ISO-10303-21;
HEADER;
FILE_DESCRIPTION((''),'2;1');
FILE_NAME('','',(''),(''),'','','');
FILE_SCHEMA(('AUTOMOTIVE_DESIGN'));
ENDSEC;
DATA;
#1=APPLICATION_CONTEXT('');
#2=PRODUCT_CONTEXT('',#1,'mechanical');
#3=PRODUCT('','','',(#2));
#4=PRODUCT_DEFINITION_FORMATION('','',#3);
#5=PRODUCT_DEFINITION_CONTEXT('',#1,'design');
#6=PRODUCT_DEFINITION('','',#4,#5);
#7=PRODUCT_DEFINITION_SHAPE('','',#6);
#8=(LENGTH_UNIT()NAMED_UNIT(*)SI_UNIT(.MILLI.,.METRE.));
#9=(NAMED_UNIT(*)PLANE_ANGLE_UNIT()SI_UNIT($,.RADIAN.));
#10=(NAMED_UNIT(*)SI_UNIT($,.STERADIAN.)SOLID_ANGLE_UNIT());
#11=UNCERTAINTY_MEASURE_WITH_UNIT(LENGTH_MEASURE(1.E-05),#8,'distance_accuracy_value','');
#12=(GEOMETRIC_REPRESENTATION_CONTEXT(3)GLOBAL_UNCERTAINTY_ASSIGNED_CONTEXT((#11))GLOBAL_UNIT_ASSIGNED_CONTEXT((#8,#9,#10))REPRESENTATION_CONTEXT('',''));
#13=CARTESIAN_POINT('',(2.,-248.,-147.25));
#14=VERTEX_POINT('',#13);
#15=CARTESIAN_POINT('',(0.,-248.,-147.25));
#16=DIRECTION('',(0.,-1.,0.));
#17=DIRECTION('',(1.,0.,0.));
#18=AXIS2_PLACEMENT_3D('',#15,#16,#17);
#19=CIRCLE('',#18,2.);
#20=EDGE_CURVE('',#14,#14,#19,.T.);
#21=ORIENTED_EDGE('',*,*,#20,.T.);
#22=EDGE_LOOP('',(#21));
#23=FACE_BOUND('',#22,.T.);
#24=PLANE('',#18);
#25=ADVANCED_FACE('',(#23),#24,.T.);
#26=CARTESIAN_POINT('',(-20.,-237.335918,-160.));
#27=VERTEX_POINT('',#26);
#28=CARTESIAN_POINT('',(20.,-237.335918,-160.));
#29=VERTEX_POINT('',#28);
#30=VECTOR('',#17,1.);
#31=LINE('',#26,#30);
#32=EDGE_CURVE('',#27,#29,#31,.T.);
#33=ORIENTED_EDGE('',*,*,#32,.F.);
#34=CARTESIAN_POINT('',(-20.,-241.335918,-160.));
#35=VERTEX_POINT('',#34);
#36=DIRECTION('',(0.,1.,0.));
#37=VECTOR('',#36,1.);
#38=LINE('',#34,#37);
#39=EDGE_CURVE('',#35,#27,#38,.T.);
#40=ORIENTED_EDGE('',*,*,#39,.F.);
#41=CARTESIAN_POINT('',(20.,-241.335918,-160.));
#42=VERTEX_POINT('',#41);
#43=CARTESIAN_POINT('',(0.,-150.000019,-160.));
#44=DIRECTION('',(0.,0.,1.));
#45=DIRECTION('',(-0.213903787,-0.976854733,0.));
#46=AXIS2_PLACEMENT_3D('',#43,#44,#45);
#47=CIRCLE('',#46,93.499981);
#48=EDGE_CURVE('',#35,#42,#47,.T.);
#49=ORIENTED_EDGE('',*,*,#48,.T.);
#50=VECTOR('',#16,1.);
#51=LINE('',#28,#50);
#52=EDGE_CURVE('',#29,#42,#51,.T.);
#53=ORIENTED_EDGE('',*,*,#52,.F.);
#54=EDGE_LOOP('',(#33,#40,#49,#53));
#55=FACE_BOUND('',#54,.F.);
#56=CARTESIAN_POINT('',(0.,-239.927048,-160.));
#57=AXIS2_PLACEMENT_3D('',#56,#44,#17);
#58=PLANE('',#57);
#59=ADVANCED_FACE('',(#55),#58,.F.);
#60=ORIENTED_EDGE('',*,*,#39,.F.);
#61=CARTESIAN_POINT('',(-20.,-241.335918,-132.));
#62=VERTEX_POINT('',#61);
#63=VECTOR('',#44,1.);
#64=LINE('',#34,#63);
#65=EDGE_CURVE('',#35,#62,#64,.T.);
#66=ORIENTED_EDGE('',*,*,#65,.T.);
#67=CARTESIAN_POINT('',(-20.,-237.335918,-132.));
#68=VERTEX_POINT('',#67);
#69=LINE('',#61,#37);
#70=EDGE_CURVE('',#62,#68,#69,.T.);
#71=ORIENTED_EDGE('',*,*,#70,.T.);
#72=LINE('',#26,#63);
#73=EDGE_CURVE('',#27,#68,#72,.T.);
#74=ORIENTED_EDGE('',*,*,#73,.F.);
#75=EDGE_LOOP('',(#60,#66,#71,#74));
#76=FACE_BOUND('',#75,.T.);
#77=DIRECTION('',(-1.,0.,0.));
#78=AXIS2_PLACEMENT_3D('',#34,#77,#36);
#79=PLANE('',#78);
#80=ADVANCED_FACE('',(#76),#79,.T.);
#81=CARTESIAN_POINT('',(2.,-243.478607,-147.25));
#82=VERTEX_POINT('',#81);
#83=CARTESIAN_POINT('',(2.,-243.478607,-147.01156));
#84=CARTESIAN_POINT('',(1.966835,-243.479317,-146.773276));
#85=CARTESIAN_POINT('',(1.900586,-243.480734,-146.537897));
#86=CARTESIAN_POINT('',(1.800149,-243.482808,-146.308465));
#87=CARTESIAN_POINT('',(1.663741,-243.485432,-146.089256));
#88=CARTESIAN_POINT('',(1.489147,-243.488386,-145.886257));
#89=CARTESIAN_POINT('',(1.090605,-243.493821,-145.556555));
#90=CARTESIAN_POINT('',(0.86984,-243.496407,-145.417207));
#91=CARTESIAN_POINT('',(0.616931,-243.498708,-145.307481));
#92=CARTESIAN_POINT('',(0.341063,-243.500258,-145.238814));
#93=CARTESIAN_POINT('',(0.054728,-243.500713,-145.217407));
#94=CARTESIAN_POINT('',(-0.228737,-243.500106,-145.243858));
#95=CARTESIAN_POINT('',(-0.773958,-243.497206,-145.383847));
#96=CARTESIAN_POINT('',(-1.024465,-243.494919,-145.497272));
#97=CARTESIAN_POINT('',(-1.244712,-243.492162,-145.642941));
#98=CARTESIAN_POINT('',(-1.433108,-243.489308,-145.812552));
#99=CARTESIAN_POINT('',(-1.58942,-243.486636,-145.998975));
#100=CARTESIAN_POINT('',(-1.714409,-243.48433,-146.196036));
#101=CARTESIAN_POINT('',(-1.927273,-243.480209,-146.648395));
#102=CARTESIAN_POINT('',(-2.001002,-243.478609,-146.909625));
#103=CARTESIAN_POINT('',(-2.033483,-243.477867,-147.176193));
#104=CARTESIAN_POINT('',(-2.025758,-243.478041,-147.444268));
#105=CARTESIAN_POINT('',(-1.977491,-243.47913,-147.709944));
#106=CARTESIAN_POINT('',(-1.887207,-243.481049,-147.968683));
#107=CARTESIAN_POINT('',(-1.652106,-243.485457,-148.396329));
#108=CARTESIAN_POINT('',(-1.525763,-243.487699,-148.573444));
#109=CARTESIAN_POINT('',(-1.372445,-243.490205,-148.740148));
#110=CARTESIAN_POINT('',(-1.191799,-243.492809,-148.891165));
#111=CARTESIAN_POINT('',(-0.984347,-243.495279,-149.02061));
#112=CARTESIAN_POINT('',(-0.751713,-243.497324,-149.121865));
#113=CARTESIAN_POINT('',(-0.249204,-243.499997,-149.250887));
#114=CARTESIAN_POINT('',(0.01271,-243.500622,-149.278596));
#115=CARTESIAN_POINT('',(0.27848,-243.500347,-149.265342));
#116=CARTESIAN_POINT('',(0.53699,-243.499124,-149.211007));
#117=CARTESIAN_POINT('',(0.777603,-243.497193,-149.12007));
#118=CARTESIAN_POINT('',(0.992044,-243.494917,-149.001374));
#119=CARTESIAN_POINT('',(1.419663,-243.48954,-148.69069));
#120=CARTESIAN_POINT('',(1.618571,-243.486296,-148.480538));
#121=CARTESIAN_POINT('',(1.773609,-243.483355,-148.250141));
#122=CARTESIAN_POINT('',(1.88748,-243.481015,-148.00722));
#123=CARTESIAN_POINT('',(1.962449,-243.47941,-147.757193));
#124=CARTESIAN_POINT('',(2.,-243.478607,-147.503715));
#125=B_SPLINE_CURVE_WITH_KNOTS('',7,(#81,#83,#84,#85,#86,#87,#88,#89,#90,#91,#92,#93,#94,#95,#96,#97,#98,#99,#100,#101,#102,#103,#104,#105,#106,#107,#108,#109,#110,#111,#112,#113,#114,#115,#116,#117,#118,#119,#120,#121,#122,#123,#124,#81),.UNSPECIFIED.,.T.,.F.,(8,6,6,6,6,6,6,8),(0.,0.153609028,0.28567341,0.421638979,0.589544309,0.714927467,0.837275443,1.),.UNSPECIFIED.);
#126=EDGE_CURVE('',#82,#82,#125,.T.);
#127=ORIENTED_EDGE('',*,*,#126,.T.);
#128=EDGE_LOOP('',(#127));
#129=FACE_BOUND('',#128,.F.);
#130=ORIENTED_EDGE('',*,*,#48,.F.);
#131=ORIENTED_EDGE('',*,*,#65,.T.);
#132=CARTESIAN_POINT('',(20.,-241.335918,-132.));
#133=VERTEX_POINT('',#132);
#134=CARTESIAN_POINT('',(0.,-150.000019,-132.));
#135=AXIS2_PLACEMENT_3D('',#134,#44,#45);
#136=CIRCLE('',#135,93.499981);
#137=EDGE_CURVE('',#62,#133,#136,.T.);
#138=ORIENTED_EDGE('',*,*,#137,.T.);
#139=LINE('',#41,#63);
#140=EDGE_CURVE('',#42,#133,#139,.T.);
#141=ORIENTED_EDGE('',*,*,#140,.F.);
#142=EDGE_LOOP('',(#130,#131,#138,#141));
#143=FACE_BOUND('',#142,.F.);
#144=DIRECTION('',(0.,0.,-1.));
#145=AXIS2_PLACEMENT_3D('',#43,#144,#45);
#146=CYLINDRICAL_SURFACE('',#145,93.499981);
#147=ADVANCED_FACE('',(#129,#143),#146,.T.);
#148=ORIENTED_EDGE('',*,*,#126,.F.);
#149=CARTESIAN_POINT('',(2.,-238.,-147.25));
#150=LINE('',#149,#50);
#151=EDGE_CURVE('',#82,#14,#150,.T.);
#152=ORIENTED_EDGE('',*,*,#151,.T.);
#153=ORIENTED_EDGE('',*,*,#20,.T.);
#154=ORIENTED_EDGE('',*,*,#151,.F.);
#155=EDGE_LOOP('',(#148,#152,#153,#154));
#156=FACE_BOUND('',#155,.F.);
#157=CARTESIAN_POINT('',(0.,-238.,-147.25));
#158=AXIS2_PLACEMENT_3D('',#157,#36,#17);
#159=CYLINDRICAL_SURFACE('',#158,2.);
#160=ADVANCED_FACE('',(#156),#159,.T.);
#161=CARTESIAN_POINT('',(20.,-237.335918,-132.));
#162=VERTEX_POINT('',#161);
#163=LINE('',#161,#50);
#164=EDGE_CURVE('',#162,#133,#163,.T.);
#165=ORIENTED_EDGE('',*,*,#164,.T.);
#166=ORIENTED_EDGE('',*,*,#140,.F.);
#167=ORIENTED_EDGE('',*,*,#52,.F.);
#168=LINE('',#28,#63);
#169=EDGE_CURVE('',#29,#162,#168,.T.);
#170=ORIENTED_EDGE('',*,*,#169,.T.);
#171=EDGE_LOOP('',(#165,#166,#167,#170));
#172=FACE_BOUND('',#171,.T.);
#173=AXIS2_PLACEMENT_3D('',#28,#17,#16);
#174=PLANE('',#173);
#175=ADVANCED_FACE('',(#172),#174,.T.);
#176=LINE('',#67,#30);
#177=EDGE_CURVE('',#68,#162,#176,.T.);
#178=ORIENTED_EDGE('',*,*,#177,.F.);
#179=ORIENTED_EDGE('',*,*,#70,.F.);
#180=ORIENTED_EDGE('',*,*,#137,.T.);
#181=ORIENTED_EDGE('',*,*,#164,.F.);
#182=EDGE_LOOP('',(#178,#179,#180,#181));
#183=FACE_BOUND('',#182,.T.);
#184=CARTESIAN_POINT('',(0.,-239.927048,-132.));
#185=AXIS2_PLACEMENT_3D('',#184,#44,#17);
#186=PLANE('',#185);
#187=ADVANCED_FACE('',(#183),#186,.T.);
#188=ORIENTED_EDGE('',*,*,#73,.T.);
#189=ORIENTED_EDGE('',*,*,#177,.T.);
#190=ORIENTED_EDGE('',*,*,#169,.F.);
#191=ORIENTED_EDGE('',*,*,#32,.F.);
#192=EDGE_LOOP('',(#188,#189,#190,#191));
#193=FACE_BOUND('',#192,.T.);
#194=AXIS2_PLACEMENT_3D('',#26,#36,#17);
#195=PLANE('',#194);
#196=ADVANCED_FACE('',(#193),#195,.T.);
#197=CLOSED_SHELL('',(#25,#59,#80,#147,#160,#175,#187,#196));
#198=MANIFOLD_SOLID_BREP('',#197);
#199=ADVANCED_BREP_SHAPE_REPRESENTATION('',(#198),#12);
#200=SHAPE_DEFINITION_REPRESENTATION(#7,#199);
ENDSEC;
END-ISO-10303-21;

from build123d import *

# Parameters (mm, degrees)
CYLINDER157_R     = 2
CYLINDER157_DEPTH = 10
EXTRUDE038_DEPTH  = 28


with BuildPart() as cylinder157:
    # Cylinder157 → Cylinder157 (new body)
    with BuildSketch(Plane(origin=(0, -238, -147.25), x_dir=(1, 0, 0), z_dir=(0, -1, 0))):
        Circle(CYLINDER157_R)
    extrude(amount=CYLINDER157_DEPTH)


with BuildPart() as logoattach001:
    # Sketch056 → Extrude038 (new body)
    with BuildSketch(Plane.XY):
        with BuildLine():
            ThreePointArc((-20, -241.335918), (0, -243.5), (20, -241.335918))
            Line((20, -237.335918), (20, -241.335918))
            Line((-20, -237.335918), (20, -237.335918))
            Line((-20, -241.335918), (-20, -237.335918))
        make_face()
    extrude(amount=EXTRUDE038_DEPTH)


with BuildPart() as logoattach001_1:
    # Extrude038 placement: moved
    add(logoattach001.part.moved(Location((0, 0, -160))))

    # Fusion105: union Cylinder157
    add(cylinder157.part)


solid = logoattach001_1.part
